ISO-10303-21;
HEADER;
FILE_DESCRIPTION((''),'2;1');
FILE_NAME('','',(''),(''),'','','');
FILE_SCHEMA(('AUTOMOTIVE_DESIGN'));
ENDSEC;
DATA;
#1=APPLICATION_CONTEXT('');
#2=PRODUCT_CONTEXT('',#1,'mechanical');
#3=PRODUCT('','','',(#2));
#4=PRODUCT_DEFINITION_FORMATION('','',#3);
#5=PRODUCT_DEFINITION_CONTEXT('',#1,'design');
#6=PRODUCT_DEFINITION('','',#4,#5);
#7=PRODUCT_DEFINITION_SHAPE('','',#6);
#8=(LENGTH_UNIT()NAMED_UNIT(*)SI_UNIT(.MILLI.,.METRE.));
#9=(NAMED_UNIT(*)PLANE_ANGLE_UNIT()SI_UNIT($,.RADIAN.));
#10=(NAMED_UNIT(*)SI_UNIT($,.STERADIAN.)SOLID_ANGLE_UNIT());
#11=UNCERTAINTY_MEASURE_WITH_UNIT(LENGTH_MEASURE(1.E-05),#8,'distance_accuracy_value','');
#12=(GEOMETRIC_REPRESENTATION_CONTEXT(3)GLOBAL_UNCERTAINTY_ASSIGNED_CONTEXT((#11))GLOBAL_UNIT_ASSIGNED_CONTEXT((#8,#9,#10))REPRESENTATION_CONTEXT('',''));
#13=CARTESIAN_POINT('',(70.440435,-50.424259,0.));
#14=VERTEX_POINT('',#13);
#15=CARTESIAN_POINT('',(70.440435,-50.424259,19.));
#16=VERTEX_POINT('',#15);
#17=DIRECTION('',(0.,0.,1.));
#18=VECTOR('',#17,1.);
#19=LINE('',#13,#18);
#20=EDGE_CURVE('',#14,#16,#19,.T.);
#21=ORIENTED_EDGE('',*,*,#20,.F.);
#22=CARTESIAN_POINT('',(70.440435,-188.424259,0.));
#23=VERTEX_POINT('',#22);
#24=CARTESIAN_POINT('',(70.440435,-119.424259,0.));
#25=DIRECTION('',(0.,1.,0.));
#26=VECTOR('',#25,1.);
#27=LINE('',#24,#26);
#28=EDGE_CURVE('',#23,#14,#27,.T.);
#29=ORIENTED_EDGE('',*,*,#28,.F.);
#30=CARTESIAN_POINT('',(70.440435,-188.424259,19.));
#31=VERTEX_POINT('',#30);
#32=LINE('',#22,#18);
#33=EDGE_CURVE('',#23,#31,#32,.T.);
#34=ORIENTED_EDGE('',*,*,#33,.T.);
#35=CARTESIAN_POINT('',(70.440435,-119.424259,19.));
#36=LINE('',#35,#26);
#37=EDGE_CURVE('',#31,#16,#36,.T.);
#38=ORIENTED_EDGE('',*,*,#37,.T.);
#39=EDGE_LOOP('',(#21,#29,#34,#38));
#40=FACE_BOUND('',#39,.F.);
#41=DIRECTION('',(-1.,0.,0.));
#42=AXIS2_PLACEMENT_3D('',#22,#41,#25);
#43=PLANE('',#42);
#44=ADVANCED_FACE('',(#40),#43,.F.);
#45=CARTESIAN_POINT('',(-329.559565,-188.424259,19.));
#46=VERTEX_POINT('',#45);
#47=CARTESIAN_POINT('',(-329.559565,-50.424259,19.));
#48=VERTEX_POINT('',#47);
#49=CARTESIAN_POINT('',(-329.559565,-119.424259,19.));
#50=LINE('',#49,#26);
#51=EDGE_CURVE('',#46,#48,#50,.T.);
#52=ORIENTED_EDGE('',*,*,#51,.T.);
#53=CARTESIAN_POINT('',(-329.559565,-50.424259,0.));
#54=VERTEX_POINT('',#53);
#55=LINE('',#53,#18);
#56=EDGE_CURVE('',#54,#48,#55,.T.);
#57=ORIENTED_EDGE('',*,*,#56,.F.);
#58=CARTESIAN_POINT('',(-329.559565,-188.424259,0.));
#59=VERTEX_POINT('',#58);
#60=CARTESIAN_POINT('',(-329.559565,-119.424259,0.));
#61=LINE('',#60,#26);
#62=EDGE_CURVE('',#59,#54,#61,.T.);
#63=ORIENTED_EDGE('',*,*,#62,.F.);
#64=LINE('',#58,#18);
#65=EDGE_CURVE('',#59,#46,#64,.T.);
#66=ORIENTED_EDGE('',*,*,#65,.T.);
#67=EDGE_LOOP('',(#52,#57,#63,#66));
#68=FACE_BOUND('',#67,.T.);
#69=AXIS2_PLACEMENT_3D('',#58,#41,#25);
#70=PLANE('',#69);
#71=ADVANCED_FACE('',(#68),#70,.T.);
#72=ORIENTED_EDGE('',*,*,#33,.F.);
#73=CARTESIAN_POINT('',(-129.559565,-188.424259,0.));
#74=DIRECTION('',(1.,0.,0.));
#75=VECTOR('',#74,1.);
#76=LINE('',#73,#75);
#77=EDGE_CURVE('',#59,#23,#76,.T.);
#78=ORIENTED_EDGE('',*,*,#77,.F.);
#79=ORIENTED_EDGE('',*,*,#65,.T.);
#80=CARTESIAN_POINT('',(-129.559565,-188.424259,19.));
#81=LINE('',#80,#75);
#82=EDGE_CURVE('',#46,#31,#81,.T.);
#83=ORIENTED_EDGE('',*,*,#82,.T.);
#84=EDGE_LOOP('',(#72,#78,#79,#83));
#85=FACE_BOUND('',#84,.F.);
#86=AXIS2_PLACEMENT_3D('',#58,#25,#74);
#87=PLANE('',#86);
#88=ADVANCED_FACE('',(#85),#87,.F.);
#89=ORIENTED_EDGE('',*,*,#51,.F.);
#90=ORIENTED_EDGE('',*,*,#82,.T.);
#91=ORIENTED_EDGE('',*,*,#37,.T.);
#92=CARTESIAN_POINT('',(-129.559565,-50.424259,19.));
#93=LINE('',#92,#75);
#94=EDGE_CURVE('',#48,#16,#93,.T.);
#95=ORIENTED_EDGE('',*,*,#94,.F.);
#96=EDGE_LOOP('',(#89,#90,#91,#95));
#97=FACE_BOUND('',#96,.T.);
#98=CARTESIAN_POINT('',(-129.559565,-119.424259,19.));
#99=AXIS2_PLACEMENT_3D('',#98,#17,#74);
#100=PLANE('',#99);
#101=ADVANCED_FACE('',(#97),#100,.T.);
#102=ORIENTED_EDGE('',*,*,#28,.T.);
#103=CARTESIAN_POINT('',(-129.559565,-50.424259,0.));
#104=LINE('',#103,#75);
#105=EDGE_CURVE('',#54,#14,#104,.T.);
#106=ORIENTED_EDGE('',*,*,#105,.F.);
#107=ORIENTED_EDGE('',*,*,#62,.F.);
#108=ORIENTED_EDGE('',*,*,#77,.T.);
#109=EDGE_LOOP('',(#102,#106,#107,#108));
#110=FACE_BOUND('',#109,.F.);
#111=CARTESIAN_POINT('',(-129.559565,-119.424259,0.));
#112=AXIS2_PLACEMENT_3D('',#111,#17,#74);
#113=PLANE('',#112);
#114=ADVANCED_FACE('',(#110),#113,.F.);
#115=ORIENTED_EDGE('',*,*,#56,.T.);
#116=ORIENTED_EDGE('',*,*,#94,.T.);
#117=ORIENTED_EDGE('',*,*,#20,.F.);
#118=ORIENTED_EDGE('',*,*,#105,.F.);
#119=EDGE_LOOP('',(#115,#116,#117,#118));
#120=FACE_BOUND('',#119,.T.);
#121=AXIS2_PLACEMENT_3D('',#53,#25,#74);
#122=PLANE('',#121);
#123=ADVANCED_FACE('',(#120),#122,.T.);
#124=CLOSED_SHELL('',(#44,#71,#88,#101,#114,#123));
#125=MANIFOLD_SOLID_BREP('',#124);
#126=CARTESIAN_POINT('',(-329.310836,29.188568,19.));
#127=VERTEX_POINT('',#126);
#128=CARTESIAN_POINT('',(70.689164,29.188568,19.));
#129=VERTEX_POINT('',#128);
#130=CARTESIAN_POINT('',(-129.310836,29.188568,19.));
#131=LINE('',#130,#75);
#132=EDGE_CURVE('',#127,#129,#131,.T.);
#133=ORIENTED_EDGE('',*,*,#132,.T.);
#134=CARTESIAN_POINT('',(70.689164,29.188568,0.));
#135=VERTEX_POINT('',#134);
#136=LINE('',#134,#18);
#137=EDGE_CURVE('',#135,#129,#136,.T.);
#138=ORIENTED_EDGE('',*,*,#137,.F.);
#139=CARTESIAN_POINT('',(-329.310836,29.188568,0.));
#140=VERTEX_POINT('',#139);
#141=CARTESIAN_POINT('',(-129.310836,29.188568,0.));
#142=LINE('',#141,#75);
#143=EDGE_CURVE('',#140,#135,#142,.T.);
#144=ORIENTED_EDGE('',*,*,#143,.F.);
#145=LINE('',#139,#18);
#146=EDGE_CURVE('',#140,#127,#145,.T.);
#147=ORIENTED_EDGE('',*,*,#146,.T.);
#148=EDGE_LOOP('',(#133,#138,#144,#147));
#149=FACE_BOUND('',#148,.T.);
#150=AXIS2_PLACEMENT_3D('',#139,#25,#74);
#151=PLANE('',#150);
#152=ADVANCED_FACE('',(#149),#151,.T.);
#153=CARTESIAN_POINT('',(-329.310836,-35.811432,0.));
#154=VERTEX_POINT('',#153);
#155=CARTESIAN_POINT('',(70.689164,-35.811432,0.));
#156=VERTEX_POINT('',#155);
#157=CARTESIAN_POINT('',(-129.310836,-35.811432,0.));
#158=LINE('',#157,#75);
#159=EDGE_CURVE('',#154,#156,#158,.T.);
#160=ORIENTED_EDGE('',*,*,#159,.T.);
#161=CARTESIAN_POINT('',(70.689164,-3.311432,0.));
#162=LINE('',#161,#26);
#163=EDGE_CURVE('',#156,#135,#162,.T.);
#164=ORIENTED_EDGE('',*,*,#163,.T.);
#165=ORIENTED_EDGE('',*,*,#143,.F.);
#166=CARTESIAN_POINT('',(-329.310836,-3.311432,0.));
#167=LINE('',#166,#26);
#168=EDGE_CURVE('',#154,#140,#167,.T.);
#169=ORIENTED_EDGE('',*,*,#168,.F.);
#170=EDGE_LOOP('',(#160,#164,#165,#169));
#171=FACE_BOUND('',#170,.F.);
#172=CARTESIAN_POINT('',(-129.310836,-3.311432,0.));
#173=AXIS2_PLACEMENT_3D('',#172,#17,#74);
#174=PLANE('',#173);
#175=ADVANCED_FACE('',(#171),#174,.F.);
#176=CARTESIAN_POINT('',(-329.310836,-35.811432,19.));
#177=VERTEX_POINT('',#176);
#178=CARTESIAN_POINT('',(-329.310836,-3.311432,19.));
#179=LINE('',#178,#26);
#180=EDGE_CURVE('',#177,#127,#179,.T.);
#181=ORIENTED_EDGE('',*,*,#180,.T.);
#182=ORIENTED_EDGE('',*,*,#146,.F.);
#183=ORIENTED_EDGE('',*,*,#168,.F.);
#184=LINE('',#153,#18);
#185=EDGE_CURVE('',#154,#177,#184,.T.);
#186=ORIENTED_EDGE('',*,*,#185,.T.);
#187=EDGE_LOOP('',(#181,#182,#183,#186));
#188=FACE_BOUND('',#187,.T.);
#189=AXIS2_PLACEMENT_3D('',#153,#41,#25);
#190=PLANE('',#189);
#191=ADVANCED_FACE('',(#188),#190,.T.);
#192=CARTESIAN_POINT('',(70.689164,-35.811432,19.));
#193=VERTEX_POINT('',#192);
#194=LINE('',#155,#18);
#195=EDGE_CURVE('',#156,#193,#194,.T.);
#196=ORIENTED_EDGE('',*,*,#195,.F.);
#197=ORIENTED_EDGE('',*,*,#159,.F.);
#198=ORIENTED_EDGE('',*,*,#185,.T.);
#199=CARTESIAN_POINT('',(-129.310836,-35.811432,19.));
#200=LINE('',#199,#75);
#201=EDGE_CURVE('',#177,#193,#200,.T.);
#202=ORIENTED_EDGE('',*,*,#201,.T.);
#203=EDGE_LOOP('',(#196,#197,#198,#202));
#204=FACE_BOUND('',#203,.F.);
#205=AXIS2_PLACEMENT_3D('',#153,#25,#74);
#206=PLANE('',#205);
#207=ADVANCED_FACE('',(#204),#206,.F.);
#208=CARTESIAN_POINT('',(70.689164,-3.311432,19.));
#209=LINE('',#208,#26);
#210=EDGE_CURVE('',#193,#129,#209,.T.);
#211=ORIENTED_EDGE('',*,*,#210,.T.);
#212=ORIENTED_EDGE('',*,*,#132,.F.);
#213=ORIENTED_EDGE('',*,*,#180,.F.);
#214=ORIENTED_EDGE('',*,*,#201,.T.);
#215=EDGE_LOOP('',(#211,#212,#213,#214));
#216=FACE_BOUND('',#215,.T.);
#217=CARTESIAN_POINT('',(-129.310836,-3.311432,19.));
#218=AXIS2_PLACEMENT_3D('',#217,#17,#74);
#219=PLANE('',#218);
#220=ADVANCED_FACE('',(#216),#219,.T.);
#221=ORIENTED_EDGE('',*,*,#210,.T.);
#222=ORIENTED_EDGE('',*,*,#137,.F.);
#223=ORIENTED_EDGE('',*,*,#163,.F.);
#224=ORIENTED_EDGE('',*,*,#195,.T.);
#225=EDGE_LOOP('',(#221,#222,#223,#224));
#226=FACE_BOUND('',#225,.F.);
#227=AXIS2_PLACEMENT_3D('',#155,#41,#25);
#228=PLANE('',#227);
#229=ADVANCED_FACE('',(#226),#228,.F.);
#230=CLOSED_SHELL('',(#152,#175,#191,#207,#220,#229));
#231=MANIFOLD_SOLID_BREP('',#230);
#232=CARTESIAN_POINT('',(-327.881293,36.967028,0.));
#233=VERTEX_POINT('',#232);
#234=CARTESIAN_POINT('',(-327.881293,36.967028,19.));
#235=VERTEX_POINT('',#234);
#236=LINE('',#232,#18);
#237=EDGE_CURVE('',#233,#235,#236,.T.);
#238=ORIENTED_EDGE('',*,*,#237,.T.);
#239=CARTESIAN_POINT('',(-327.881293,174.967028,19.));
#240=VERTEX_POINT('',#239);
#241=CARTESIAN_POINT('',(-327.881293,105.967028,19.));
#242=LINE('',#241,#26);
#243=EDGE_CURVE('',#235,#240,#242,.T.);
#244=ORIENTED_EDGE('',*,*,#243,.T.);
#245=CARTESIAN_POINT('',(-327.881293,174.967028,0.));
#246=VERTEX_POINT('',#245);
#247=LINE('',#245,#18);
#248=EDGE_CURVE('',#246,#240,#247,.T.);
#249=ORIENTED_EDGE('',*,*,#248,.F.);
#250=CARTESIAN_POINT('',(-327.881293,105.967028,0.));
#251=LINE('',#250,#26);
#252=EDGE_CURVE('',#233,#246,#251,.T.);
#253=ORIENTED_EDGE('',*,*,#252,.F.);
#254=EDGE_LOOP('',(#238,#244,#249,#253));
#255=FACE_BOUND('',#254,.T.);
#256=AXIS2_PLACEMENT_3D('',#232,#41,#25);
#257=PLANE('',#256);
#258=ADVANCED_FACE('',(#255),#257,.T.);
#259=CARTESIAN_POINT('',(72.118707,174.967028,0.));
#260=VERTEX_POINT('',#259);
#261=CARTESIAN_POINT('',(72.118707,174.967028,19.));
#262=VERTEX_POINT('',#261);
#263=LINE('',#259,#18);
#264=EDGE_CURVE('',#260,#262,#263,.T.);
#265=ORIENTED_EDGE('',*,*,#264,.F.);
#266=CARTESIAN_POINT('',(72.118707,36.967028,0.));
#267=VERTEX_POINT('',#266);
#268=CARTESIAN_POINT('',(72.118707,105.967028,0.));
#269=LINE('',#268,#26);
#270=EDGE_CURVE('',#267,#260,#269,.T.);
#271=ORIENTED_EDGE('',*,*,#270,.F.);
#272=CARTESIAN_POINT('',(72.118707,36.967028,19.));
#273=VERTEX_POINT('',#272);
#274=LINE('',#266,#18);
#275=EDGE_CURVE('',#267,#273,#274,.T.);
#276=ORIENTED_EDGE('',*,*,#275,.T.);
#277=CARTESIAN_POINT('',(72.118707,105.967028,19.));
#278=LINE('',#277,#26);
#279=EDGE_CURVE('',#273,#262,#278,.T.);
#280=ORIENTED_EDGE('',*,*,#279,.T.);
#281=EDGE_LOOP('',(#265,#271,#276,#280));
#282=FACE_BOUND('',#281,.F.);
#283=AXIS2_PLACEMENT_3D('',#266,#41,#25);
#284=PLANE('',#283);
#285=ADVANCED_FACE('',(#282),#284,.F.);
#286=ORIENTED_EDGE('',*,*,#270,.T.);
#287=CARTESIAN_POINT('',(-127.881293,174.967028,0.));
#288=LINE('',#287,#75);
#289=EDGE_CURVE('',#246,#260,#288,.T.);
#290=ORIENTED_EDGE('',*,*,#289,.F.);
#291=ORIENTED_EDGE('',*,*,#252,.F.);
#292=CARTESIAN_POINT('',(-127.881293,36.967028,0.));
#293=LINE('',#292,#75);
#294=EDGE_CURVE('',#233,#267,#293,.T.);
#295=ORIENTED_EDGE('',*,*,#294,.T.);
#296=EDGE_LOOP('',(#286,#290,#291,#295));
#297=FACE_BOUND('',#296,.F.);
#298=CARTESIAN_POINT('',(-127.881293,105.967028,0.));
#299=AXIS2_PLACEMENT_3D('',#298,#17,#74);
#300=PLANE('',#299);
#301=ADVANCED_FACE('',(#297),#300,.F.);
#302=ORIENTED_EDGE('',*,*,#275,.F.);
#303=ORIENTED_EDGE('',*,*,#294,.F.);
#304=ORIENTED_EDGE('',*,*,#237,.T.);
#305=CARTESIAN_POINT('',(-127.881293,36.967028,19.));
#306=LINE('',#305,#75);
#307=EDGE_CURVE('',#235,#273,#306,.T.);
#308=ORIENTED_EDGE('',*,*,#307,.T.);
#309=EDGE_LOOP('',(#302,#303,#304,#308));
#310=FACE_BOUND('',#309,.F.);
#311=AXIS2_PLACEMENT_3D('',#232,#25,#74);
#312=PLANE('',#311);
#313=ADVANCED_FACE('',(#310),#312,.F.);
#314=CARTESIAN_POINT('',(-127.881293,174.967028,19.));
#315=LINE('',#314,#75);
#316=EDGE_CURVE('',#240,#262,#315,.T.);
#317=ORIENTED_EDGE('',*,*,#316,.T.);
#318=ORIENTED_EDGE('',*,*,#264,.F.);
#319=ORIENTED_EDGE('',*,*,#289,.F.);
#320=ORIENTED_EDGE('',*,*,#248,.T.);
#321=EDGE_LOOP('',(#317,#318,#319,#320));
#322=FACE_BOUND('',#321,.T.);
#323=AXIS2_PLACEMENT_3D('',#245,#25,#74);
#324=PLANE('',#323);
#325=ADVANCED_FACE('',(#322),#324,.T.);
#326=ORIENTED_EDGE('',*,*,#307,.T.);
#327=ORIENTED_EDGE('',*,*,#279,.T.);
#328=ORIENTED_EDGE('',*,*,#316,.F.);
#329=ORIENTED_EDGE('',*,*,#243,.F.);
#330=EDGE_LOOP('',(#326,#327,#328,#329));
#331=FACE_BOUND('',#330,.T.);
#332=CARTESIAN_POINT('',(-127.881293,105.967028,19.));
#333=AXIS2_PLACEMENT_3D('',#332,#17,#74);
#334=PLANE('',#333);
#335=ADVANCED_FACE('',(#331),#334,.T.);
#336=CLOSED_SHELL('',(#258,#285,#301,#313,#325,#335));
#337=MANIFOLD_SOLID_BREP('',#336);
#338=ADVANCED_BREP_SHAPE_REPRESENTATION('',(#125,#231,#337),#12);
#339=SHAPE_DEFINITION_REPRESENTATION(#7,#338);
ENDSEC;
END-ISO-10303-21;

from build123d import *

# Parameters (mm, degrees)
F0_W     = 400
F0_H     = 138
F0_H_2   = 65
F1_DEPTH = 19


with BuildPart() as f1:
    # F0 (on Top) → F1 (new body)
    with BuildSketch(Plane.XY):
        with Locations((-127.881293, 105.967028)):
            Rectangle(F0_W, F0_H)
        with Locations((-129.310836, -3.311432)):
            Rectangle(F0_W, F0_H_2)
        with Locations((-129.559565, -119.424259)):
            Rectangle(F0_W, F0_H)
    extrude(amount=F1_DEPTH)


solid = f1.part
